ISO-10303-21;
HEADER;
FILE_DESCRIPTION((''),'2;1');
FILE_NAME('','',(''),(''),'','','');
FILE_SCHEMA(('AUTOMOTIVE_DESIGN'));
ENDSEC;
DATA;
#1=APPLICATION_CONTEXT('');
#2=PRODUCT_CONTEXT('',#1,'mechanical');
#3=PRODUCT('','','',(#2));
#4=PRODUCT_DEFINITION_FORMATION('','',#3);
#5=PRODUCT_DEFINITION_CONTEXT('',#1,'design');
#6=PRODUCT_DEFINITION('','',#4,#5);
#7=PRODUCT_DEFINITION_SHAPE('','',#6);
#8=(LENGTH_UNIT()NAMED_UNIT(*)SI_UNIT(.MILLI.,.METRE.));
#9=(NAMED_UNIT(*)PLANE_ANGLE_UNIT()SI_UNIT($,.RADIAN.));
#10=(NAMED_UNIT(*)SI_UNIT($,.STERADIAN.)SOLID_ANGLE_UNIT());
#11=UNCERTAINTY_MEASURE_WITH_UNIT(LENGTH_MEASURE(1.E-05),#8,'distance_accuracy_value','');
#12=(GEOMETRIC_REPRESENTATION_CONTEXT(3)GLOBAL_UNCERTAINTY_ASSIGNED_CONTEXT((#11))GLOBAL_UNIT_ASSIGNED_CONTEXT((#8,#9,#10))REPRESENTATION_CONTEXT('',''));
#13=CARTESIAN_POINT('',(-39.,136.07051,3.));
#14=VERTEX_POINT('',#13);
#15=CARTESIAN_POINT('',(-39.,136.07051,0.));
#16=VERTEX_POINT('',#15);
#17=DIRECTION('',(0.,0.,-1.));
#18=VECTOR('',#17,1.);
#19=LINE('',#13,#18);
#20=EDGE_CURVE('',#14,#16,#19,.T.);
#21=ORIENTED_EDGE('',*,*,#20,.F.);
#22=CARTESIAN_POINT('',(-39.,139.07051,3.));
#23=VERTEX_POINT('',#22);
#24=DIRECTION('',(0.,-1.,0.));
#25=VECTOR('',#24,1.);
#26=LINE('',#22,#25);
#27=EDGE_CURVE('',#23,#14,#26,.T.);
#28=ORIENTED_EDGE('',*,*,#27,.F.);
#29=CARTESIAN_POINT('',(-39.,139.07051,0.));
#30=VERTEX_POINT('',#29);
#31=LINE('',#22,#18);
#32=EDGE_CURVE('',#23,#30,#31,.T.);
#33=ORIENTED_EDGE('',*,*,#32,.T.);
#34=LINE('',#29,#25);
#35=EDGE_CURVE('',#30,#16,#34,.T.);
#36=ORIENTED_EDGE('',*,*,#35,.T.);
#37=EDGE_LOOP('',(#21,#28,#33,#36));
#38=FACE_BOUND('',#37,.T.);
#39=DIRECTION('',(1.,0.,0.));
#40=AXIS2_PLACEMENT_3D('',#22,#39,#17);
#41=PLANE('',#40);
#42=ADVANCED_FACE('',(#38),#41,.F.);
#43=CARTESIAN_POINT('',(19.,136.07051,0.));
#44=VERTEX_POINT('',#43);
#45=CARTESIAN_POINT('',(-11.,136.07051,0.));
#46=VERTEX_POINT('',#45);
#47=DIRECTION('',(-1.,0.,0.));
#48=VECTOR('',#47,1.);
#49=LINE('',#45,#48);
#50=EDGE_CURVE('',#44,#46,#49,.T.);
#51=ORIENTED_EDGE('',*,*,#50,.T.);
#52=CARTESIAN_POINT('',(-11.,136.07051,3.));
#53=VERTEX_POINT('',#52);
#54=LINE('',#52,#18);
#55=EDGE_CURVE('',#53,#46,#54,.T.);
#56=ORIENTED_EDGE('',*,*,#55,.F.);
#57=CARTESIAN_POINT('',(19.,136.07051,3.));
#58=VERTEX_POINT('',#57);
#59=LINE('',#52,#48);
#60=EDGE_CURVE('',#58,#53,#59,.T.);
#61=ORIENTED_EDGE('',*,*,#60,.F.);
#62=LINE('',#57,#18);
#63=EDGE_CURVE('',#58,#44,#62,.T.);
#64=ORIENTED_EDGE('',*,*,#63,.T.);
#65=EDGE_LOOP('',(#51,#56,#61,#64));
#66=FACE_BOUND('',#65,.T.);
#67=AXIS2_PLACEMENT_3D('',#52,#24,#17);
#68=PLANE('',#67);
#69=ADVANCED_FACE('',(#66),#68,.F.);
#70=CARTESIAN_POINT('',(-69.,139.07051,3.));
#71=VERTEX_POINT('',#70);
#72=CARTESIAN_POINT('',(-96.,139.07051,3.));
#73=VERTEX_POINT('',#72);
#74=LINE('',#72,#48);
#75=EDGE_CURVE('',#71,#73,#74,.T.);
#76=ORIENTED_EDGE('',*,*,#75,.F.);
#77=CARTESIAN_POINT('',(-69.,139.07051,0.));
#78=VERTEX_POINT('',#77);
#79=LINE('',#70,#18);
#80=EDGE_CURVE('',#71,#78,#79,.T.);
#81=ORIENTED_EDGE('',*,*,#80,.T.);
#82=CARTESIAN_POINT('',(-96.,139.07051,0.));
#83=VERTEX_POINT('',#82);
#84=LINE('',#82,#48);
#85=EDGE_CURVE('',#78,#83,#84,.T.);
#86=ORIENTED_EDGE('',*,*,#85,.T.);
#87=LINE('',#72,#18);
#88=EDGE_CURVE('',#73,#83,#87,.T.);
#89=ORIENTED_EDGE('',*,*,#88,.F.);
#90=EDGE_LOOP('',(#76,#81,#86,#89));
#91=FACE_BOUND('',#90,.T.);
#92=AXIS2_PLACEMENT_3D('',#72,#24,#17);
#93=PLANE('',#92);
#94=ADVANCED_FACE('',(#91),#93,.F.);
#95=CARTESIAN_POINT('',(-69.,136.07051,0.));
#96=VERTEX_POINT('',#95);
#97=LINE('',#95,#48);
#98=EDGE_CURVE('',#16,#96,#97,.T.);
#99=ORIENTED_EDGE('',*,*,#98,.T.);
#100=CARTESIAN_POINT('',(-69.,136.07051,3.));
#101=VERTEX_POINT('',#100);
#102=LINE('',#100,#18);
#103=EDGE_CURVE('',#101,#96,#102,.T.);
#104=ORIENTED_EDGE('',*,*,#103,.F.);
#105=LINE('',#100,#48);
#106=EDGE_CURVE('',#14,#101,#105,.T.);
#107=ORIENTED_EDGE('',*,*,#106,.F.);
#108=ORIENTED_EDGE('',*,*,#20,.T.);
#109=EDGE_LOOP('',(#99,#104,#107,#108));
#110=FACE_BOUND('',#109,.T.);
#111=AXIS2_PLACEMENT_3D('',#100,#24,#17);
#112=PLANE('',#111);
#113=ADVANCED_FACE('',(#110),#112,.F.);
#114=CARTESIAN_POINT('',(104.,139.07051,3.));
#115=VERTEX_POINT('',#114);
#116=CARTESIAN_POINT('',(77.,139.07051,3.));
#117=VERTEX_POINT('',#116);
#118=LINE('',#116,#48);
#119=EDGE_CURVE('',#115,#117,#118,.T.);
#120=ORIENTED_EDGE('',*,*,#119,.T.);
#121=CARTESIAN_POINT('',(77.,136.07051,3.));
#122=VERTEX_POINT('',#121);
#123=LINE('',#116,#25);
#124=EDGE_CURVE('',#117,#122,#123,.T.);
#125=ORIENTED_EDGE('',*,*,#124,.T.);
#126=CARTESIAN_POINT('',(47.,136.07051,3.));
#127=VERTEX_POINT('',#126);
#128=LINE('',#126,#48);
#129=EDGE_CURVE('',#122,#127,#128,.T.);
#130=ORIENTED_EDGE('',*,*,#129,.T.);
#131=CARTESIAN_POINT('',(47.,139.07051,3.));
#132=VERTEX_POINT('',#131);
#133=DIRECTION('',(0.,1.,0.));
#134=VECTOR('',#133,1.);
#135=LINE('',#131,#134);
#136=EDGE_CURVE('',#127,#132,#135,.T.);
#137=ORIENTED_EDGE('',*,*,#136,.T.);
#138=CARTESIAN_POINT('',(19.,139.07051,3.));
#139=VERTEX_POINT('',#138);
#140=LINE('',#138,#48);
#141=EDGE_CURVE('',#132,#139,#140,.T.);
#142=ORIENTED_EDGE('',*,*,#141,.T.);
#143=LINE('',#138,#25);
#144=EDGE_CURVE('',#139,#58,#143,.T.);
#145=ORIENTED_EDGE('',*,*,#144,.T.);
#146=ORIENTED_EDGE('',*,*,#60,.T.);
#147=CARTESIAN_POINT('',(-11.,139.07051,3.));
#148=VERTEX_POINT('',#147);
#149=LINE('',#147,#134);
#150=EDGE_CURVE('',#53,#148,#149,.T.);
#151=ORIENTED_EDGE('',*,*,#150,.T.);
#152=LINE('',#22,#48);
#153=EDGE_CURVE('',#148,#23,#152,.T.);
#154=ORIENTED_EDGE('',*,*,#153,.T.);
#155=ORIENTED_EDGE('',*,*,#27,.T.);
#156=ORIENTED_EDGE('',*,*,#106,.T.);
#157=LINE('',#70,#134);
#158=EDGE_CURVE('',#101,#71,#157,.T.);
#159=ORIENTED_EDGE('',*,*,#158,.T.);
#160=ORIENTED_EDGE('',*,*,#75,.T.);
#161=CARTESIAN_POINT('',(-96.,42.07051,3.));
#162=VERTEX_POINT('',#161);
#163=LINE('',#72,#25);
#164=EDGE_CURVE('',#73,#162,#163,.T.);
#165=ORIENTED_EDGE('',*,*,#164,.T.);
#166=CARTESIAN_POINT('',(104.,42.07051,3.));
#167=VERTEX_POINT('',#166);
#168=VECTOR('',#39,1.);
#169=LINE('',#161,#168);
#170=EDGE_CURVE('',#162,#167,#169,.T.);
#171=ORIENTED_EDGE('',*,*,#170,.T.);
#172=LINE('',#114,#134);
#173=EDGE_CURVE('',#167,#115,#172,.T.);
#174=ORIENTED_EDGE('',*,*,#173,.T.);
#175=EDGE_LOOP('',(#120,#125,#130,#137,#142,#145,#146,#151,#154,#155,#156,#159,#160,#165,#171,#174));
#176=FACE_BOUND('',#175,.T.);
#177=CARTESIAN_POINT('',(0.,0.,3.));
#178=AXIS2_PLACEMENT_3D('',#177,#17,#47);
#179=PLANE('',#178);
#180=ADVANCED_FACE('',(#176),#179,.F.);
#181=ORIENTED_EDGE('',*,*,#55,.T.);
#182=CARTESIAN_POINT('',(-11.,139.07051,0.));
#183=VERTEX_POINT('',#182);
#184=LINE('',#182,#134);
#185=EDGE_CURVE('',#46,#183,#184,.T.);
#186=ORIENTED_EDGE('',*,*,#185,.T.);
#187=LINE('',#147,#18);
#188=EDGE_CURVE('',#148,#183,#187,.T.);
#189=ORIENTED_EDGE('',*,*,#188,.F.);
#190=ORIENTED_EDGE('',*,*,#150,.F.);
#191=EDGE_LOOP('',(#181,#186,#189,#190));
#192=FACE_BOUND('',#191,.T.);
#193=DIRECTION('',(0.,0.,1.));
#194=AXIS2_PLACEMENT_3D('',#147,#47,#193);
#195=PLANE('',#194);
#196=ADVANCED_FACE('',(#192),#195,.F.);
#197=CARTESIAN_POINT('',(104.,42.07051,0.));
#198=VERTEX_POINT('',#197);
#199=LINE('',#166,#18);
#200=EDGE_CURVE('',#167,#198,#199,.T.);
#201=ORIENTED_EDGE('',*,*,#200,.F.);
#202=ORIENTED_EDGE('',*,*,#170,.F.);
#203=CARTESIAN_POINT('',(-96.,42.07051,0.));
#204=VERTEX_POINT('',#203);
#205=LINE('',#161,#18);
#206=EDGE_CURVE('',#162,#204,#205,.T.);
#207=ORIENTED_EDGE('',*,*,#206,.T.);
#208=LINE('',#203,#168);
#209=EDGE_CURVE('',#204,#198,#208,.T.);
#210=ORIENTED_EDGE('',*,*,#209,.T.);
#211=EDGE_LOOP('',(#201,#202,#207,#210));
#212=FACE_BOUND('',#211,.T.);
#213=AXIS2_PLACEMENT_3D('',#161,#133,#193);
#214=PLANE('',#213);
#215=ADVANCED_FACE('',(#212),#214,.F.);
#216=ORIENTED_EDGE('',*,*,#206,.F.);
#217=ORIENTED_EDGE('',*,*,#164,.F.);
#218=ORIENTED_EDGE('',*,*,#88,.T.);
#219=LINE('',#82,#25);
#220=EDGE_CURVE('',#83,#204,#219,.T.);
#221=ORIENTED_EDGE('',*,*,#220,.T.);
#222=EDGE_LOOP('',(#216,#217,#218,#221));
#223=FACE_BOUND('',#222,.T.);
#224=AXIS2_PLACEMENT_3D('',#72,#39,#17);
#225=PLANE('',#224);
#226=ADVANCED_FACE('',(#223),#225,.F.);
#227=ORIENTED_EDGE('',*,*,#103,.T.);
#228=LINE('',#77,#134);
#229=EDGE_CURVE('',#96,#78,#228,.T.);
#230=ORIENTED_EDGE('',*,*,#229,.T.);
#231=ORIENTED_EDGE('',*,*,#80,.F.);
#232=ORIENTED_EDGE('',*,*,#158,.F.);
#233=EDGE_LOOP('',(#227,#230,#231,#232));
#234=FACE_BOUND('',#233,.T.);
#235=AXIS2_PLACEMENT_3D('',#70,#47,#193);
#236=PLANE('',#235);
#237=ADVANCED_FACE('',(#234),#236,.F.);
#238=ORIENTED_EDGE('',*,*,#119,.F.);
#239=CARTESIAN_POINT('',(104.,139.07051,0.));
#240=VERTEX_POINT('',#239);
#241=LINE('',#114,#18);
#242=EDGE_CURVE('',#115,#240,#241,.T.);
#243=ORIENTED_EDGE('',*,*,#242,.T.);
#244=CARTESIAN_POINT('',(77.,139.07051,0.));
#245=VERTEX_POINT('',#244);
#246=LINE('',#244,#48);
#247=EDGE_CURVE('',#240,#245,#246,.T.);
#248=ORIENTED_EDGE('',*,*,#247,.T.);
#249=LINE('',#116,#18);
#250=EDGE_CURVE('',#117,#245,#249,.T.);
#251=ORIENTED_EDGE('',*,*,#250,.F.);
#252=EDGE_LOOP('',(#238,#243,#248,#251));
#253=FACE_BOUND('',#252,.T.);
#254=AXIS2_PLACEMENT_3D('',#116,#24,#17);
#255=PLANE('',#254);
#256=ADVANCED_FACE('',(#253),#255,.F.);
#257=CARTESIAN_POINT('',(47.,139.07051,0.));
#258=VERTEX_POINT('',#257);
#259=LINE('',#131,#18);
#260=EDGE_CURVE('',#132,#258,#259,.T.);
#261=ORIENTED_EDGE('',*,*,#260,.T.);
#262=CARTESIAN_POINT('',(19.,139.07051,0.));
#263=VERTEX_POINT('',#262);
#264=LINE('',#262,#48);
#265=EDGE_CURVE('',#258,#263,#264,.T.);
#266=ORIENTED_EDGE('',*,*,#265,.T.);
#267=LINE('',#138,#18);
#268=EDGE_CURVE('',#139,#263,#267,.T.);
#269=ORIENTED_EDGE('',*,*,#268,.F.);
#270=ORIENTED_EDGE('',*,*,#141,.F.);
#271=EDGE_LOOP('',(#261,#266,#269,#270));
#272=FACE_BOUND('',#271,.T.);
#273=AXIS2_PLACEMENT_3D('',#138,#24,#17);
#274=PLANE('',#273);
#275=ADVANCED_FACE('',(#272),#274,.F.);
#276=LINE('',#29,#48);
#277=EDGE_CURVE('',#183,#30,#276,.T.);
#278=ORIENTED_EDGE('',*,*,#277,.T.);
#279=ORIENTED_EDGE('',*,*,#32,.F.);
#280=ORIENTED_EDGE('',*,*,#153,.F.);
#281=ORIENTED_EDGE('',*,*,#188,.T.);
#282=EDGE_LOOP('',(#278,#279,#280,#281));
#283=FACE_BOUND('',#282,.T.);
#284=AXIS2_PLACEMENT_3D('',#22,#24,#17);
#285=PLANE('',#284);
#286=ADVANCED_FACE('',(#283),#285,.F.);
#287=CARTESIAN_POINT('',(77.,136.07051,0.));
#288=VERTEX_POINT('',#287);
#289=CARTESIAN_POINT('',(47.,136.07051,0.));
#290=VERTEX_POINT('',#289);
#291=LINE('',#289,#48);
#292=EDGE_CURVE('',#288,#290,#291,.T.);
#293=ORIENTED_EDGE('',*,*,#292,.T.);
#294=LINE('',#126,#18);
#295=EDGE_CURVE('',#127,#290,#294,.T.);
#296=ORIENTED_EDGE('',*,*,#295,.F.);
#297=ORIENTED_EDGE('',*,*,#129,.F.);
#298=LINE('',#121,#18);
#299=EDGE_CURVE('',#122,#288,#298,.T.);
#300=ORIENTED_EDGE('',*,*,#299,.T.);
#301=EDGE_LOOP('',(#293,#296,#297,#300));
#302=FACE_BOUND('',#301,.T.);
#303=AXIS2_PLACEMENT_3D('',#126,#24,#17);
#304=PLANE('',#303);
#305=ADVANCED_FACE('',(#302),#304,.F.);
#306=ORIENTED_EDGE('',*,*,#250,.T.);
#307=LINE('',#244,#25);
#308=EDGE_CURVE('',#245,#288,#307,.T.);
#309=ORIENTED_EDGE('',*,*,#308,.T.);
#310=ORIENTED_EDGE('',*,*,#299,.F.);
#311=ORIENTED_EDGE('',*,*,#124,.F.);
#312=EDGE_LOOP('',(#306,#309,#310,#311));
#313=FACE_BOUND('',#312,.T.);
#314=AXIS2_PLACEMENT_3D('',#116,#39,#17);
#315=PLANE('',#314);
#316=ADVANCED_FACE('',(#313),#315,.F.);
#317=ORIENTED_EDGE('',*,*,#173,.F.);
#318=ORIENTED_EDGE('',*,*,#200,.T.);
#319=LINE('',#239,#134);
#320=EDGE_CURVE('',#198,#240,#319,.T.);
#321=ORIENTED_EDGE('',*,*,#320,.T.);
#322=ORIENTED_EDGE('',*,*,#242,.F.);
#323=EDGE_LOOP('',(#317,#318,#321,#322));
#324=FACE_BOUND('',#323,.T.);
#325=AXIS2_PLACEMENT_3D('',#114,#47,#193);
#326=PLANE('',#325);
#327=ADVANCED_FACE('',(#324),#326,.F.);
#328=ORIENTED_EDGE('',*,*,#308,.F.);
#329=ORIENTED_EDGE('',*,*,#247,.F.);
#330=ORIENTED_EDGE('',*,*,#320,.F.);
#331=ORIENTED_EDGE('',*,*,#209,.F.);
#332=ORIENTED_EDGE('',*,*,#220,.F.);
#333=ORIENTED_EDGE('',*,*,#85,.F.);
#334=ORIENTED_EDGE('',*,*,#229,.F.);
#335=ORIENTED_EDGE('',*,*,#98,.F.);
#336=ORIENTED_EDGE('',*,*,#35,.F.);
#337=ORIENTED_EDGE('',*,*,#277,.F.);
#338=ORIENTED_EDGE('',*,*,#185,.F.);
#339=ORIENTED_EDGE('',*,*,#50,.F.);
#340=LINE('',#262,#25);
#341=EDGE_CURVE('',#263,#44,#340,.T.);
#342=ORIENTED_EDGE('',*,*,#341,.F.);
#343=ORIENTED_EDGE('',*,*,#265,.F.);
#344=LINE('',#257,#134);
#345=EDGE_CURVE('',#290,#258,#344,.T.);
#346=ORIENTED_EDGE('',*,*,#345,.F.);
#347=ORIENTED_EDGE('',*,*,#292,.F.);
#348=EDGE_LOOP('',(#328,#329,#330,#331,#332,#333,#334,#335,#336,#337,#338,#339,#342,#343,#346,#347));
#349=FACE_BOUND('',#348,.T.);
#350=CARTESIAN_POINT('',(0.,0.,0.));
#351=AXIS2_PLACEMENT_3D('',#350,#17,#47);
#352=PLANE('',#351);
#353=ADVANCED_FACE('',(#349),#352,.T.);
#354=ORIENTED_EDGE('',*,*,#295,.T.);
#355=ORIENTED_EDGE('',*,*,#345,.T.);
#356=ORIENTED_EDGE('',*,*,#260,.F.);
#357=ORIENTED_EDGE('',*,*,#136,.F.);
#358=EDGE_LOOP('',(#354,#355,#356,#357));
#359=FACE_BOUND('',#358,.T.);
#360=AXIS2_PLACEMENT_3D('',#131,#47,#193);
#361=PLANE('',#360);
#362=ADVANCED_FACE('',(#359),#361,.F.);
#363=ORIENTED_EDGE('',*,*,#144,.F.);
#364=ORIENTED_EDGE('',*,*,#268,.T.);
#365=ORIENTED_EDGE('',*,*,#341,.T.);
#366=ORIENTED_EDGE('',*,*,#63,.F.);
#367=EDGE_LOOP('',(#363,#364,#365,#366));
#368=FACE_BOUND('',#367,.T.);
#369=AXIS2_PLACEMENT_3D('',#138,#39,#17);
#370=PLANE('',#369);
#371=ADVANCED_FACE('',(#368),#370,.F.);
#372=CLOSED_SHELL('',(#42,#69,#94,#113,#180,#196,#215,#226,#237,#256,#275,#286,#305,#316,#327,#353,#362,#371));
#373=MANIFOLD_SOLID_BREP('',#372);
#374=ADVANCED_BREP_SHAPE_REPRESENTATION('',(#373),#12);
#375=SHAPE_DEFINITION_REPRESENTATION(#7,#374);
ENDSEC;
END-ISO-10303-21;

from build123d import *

# Parameters (mm, degrees)
EXTRUDE_1_DEPTH = 3


with BuildPart() as part:
    # 草圖1 → 填料-伸長1 (new body)
    with BuildSketch(Plane.XY):
        Polygon((-96, 139.070510231), (-69, 139.070510231), (-69, 136.070510231), (-39, 136.070510231), (-39, 139.070510231), (-11, 139.070510231), (-11, 136.070510231), (19, 136.070510231), (19, 139.070510231), (47, 139.070510231), (47, 136.070510231), (77, 136.070510231), (77, 139.070510231), (104, 139.070510231), (104, 42.070510231), (-96, 42.070510231), align=None)
    extrude(amount=EXTRUDE_1_DEPTH)


solid = part.part
